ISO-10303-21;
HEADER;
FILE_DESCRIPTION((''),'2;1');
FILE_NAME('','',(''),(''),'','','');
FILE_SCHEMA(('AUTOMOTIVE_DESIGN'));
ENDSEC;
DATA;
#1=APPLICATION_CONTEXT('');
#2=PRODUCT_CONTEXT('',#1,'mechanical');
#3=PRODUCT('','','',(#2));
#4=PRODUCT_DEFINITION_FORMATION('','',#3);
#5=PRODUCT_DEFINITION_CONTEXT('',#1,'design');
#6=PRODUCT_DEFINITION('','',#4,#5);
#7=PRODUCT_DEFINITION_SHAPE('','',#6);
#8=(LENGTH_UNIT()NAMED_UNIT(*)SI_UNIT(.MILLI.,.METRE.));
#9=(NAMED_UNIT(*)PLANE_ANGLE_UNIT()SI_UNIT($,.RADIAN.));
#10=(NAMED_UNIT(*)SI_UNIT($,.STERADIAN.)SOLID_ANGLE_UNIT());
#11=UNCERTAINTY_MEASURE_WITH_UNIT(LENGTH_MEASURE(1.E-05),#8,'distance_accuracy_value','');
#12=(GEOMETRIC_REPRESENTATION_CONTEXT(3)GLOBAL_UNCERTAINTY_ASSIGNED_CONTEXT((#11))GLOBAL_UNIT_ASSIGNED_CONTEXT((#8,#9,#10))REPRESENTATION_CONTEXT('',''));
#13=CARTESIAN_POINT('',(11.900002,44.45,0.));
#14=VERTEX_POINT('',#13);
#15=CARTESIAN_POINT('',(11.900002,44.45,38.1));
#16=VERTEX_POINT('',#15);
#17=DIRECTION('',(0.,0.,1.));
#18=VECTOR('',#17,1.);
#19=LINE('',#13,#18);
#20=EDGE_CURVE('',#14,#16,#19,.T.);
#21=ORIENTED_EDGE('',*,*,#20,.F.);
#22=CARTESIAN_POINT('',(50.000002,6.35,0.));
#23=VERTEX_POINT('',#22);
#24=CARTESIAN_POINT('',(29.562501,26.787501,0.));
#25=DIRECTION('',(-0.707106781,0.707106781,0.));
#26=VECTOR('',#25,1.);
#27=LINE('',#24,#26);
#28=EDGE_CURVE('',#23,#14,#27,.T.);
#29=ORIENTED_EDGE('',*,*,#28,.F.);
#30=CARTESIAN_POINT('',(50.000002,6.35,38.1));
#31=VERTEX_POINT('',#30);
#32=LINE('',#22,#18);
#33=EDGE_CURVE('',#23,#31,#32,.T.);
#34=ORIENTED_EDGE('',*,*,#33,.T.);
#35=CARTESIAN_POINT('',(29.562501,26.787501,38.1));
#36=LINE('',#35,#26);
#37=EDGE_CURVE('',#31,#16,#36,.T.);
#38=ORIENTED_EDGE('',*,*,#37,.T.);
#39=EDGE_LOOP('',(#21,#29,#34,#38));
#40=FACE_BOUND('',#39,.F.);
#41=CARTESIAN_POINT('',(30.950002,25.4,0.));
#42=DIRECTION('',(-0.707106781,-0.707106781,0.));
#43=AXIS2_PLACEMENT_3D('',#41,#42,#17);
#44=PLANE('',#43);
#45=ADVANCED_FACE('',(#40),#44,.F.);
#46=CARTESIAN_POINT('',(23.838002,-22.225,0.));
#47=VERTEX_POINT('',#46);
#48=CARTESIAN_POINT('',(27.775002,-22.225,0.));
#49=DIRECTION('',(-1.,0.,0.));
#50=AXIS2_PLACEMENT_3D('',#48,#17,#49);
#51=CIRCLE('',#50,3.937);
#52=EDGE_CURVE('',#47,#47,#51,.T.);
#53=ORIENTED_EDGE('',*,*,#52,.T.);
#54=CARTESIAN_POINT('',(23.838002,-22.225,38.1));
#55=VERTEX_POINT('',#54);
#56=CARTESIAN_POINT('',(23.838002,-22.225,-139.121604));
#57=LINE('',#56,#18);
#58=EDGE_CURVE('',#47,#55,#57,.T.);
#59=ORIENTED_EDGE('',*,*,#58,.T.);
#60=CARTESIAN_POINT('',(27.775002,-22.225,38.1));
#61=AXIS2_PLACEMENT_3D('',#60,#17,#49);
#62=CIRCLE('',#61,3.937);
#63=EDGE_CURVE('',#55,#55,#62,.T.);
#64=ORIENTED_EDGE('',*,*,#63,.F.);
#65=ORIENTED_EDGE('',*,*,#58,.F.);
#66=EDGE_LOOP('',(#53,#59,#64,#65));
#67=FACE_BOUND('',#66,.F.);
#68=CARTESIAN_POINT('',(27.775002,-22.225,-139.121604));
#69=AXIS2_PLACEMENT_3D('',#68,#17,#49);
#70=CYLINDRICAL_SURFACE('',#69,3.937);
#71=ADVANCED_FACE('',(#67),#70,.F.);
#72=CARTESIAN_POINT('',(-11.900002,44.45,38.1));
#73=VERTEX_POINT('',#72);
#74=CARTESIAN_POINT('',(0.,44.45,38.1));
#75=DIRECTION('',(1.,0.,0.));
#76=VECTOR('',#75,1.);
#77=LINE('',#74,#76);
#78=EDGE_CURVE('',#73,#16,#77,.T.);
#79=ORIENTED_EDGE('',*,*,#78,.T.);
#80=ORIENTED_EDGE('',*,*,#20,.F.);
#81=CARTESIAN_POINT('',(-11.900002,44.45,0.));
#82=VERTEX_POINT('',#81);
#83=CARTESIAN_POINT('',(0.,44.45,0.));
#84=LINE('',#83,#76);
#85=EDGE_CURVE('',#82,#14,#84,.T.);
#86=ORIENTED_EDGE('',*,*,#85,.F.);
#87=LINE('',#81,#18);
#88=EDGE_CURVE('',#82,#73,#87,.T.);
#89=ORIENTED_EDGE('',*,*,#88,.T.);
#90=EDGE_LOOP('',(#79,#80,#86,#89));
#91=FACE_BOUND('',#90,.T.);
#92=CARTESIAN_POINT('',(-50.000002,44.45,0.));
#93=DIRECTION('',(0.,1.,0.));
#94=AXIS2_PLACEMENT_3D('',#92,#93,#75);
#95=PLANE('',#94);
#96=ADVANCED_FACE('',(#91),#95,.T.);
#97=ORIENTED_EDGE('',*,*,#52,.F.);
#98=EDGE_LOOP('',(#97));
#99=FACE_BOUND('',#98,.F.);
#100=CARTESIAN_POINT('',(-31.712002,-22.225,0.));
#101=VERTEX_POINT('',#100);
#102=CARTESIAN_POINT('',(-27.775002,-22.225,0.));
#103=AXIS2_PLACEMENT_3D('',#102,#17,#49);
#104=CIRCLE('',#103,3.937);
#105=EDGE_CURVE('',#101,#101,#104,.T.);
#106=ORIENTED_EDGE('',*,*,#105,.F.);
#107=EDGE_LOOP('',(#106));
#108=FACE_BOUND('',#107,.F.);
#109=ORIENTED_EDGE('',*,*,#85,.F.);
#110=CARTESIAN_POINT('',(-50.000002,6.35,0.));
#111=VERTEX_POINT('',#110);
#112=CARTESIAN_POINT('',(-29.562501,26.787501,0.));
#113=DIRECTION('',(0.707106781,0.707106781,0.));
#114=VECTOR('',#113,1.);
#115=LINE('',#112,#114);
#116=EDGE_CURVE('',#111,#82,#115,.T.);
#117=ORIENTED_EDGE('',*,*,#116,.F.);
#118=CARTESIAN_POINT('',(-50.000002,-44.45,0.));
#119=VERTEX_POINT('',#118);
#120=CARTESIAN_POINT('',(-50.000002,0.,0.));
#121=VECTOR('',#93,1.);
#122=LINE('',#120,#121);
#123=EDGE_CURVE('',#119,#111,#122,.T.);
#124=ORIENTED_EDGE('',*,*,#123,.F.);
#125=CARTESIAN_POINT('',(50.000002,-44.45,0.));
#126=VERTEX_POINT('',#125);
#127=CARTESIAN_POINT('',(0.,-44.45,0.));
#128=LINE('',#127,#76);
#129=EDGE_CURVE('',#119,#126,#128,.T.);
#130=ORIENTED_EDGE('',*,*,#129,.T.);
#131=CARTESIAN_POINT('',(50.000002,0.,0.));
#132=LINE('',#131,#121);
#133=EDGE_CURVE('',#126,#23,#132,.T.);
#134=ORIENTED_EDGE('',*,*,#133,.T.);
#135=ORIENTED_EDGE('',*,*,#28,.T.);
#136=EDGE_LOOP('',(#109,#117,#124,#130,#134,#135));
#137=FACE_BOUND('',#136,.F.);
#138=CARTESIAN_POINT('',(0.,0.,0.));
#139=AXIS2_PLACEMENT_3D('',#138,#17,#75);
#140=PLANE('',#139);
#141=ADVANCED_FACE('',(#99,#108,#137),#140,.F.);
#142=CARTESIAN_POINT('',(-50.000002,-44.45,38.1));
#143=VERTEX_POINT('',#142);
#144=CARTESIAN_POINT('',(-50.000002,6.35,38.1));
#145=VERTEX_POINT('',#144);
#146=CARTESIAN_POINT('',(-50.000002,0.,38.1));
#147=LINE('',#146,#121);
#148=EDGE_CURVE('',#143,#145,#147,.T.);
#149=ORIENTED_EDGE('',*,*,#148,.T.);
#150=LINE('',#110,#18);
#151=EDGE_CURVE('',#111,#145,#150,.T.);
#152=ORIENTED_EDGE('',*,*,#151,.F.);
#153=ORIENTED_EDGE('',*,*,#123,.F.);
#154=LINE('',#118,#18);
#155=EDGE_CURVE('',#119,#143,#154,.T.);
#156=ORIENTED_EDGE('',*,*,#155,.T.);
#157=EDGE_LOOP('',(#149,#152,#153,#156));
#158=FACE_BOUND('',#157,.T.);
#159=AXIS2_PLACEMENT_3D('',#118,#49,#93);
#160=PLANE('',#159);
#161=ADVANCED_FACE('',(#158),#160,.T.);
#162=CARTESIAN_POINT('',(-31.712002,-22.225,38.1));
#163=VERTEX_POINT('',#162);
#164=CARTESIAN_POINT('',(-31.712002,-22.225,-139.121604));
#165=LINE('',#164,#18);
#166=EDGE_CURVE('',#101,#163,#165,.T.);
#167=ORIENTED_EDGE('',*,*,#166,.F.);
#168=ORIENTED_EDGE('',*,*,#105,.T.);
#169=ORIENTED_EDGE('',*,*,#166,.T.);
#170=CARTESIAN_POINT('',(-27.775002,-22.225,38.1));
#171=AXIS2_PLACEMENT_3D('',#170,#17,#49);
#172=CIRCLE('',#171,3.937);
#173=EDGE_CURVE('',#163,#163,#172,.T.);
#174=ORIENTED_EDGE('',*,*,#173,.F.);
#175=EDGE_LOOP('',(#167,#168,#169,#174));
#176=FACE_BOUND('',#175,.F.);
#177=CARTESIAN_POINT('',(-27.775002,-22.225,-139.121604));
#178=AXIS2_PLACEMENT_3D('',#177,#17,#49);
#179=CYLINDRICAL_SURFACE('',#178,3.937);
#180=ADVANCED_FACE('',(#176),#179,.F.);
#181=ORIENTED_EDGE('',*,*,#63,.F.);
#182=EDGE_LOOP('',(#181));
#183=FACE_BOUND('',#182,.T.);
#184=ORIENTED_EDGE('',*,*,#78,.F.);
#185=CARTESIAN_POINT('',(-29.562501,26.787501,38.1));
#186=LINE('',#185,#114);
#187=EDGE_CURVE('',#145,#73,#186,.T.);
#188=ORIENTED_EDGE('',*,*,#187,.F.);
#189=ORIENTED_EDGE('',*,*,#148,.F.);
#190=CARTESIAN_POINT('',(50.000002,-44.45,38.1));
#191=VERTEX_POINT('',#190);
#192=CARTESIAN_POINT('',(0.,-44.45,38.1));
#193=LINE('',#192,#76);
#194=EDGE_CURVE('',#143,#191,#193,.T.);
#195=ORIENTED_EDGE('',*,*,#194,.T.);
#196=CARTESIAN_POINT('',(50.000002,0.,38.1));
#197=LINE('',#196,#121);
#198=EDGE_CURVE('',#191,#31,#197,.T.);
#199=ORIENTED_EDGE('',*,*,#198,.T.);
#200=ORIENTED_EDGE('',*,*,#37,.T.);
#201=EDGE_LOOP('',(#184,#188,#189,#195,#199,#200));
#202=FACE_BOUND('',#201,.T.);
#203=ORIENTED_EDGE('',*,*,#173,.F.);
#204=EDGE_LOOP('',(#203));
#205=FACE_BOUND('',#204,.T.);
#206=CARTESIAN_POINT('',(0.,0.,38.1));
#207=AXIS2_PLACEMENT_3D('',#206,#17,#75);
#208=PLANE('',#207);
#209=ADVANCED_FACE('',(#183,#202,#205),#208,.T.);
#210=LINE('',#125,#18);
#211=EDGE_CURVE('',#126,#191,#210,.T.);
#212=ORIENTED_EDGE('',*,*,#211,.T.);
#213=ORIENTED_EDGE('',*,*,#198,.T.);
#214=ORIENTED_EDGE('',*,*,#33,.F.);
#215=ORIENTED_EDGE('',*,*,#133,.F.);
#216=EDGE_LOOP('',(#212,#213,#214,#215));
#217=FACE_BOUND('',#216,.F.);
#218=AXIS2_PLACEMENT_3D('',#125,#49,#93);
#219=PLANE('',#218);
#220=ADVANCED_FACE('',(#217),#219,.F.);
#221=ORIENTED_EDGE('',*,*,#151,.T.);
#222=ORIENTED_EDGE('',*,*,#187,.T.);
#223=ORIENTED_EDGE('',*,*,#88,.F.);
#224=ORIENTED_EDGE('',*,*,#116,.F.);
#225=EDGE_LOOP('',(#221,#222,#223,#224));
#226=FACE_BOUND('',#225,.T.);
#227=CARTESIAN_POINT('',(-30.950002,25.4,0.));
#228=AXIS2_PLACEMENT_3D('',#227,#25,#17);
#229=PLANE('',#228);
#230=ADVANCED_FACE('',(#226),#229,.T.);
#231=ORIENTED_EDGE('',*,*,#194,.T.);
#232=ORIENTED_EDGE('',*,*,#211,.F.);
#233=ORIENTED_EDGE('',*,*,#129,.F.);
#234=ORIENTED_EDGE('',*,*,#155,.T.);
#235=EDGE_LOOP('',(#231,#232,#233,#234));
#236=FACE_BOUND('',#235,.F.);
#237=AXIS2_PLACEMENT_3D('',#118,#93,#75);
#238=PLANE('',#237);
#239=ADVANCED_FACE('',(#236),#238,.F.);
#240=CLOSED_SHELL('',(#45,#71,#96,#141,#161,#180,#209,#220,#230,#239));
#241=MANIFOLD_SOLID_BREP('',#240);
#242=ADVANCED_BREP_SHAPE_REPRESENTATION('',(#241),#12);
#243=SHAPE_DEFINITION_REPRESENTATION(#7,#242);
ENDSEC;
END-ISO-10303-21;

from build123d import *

# Parameters (mm, degrees)
F0_W     = 100.000004
F0_H     = 88.9
F1_DEPTH = 38.1
F2_SIZE  = 38.1
F4_D     = 7.874


with BuildPart() as f1:
    # F0 (on Top) → F1 (new body)
    with BuildSketch(Plane.XY):
        Rectangle(F0_W, F0_H)
    extrude(amount=F1_DEPTH)

    # F2
    f2_edges = [f1.edges().sort_by_distance(p)[0] for p in [
        (50.000002, 44.45, 19.05),
        (-50.000002, 44.45, 19.05),
    ]]
    chamfer(f2_edges, length=F2_SIZE)

    # F4 (through all)
    with Locations(Plane(origin=(0, 0, 0), x_dir=(1, 0, 0), z_dir=(0, 0, -1))):
        with Locations((-27.775002, 22.225), (27.775002, 22.225)):
            Hole(F4_D / 2)


solid = f1.part
